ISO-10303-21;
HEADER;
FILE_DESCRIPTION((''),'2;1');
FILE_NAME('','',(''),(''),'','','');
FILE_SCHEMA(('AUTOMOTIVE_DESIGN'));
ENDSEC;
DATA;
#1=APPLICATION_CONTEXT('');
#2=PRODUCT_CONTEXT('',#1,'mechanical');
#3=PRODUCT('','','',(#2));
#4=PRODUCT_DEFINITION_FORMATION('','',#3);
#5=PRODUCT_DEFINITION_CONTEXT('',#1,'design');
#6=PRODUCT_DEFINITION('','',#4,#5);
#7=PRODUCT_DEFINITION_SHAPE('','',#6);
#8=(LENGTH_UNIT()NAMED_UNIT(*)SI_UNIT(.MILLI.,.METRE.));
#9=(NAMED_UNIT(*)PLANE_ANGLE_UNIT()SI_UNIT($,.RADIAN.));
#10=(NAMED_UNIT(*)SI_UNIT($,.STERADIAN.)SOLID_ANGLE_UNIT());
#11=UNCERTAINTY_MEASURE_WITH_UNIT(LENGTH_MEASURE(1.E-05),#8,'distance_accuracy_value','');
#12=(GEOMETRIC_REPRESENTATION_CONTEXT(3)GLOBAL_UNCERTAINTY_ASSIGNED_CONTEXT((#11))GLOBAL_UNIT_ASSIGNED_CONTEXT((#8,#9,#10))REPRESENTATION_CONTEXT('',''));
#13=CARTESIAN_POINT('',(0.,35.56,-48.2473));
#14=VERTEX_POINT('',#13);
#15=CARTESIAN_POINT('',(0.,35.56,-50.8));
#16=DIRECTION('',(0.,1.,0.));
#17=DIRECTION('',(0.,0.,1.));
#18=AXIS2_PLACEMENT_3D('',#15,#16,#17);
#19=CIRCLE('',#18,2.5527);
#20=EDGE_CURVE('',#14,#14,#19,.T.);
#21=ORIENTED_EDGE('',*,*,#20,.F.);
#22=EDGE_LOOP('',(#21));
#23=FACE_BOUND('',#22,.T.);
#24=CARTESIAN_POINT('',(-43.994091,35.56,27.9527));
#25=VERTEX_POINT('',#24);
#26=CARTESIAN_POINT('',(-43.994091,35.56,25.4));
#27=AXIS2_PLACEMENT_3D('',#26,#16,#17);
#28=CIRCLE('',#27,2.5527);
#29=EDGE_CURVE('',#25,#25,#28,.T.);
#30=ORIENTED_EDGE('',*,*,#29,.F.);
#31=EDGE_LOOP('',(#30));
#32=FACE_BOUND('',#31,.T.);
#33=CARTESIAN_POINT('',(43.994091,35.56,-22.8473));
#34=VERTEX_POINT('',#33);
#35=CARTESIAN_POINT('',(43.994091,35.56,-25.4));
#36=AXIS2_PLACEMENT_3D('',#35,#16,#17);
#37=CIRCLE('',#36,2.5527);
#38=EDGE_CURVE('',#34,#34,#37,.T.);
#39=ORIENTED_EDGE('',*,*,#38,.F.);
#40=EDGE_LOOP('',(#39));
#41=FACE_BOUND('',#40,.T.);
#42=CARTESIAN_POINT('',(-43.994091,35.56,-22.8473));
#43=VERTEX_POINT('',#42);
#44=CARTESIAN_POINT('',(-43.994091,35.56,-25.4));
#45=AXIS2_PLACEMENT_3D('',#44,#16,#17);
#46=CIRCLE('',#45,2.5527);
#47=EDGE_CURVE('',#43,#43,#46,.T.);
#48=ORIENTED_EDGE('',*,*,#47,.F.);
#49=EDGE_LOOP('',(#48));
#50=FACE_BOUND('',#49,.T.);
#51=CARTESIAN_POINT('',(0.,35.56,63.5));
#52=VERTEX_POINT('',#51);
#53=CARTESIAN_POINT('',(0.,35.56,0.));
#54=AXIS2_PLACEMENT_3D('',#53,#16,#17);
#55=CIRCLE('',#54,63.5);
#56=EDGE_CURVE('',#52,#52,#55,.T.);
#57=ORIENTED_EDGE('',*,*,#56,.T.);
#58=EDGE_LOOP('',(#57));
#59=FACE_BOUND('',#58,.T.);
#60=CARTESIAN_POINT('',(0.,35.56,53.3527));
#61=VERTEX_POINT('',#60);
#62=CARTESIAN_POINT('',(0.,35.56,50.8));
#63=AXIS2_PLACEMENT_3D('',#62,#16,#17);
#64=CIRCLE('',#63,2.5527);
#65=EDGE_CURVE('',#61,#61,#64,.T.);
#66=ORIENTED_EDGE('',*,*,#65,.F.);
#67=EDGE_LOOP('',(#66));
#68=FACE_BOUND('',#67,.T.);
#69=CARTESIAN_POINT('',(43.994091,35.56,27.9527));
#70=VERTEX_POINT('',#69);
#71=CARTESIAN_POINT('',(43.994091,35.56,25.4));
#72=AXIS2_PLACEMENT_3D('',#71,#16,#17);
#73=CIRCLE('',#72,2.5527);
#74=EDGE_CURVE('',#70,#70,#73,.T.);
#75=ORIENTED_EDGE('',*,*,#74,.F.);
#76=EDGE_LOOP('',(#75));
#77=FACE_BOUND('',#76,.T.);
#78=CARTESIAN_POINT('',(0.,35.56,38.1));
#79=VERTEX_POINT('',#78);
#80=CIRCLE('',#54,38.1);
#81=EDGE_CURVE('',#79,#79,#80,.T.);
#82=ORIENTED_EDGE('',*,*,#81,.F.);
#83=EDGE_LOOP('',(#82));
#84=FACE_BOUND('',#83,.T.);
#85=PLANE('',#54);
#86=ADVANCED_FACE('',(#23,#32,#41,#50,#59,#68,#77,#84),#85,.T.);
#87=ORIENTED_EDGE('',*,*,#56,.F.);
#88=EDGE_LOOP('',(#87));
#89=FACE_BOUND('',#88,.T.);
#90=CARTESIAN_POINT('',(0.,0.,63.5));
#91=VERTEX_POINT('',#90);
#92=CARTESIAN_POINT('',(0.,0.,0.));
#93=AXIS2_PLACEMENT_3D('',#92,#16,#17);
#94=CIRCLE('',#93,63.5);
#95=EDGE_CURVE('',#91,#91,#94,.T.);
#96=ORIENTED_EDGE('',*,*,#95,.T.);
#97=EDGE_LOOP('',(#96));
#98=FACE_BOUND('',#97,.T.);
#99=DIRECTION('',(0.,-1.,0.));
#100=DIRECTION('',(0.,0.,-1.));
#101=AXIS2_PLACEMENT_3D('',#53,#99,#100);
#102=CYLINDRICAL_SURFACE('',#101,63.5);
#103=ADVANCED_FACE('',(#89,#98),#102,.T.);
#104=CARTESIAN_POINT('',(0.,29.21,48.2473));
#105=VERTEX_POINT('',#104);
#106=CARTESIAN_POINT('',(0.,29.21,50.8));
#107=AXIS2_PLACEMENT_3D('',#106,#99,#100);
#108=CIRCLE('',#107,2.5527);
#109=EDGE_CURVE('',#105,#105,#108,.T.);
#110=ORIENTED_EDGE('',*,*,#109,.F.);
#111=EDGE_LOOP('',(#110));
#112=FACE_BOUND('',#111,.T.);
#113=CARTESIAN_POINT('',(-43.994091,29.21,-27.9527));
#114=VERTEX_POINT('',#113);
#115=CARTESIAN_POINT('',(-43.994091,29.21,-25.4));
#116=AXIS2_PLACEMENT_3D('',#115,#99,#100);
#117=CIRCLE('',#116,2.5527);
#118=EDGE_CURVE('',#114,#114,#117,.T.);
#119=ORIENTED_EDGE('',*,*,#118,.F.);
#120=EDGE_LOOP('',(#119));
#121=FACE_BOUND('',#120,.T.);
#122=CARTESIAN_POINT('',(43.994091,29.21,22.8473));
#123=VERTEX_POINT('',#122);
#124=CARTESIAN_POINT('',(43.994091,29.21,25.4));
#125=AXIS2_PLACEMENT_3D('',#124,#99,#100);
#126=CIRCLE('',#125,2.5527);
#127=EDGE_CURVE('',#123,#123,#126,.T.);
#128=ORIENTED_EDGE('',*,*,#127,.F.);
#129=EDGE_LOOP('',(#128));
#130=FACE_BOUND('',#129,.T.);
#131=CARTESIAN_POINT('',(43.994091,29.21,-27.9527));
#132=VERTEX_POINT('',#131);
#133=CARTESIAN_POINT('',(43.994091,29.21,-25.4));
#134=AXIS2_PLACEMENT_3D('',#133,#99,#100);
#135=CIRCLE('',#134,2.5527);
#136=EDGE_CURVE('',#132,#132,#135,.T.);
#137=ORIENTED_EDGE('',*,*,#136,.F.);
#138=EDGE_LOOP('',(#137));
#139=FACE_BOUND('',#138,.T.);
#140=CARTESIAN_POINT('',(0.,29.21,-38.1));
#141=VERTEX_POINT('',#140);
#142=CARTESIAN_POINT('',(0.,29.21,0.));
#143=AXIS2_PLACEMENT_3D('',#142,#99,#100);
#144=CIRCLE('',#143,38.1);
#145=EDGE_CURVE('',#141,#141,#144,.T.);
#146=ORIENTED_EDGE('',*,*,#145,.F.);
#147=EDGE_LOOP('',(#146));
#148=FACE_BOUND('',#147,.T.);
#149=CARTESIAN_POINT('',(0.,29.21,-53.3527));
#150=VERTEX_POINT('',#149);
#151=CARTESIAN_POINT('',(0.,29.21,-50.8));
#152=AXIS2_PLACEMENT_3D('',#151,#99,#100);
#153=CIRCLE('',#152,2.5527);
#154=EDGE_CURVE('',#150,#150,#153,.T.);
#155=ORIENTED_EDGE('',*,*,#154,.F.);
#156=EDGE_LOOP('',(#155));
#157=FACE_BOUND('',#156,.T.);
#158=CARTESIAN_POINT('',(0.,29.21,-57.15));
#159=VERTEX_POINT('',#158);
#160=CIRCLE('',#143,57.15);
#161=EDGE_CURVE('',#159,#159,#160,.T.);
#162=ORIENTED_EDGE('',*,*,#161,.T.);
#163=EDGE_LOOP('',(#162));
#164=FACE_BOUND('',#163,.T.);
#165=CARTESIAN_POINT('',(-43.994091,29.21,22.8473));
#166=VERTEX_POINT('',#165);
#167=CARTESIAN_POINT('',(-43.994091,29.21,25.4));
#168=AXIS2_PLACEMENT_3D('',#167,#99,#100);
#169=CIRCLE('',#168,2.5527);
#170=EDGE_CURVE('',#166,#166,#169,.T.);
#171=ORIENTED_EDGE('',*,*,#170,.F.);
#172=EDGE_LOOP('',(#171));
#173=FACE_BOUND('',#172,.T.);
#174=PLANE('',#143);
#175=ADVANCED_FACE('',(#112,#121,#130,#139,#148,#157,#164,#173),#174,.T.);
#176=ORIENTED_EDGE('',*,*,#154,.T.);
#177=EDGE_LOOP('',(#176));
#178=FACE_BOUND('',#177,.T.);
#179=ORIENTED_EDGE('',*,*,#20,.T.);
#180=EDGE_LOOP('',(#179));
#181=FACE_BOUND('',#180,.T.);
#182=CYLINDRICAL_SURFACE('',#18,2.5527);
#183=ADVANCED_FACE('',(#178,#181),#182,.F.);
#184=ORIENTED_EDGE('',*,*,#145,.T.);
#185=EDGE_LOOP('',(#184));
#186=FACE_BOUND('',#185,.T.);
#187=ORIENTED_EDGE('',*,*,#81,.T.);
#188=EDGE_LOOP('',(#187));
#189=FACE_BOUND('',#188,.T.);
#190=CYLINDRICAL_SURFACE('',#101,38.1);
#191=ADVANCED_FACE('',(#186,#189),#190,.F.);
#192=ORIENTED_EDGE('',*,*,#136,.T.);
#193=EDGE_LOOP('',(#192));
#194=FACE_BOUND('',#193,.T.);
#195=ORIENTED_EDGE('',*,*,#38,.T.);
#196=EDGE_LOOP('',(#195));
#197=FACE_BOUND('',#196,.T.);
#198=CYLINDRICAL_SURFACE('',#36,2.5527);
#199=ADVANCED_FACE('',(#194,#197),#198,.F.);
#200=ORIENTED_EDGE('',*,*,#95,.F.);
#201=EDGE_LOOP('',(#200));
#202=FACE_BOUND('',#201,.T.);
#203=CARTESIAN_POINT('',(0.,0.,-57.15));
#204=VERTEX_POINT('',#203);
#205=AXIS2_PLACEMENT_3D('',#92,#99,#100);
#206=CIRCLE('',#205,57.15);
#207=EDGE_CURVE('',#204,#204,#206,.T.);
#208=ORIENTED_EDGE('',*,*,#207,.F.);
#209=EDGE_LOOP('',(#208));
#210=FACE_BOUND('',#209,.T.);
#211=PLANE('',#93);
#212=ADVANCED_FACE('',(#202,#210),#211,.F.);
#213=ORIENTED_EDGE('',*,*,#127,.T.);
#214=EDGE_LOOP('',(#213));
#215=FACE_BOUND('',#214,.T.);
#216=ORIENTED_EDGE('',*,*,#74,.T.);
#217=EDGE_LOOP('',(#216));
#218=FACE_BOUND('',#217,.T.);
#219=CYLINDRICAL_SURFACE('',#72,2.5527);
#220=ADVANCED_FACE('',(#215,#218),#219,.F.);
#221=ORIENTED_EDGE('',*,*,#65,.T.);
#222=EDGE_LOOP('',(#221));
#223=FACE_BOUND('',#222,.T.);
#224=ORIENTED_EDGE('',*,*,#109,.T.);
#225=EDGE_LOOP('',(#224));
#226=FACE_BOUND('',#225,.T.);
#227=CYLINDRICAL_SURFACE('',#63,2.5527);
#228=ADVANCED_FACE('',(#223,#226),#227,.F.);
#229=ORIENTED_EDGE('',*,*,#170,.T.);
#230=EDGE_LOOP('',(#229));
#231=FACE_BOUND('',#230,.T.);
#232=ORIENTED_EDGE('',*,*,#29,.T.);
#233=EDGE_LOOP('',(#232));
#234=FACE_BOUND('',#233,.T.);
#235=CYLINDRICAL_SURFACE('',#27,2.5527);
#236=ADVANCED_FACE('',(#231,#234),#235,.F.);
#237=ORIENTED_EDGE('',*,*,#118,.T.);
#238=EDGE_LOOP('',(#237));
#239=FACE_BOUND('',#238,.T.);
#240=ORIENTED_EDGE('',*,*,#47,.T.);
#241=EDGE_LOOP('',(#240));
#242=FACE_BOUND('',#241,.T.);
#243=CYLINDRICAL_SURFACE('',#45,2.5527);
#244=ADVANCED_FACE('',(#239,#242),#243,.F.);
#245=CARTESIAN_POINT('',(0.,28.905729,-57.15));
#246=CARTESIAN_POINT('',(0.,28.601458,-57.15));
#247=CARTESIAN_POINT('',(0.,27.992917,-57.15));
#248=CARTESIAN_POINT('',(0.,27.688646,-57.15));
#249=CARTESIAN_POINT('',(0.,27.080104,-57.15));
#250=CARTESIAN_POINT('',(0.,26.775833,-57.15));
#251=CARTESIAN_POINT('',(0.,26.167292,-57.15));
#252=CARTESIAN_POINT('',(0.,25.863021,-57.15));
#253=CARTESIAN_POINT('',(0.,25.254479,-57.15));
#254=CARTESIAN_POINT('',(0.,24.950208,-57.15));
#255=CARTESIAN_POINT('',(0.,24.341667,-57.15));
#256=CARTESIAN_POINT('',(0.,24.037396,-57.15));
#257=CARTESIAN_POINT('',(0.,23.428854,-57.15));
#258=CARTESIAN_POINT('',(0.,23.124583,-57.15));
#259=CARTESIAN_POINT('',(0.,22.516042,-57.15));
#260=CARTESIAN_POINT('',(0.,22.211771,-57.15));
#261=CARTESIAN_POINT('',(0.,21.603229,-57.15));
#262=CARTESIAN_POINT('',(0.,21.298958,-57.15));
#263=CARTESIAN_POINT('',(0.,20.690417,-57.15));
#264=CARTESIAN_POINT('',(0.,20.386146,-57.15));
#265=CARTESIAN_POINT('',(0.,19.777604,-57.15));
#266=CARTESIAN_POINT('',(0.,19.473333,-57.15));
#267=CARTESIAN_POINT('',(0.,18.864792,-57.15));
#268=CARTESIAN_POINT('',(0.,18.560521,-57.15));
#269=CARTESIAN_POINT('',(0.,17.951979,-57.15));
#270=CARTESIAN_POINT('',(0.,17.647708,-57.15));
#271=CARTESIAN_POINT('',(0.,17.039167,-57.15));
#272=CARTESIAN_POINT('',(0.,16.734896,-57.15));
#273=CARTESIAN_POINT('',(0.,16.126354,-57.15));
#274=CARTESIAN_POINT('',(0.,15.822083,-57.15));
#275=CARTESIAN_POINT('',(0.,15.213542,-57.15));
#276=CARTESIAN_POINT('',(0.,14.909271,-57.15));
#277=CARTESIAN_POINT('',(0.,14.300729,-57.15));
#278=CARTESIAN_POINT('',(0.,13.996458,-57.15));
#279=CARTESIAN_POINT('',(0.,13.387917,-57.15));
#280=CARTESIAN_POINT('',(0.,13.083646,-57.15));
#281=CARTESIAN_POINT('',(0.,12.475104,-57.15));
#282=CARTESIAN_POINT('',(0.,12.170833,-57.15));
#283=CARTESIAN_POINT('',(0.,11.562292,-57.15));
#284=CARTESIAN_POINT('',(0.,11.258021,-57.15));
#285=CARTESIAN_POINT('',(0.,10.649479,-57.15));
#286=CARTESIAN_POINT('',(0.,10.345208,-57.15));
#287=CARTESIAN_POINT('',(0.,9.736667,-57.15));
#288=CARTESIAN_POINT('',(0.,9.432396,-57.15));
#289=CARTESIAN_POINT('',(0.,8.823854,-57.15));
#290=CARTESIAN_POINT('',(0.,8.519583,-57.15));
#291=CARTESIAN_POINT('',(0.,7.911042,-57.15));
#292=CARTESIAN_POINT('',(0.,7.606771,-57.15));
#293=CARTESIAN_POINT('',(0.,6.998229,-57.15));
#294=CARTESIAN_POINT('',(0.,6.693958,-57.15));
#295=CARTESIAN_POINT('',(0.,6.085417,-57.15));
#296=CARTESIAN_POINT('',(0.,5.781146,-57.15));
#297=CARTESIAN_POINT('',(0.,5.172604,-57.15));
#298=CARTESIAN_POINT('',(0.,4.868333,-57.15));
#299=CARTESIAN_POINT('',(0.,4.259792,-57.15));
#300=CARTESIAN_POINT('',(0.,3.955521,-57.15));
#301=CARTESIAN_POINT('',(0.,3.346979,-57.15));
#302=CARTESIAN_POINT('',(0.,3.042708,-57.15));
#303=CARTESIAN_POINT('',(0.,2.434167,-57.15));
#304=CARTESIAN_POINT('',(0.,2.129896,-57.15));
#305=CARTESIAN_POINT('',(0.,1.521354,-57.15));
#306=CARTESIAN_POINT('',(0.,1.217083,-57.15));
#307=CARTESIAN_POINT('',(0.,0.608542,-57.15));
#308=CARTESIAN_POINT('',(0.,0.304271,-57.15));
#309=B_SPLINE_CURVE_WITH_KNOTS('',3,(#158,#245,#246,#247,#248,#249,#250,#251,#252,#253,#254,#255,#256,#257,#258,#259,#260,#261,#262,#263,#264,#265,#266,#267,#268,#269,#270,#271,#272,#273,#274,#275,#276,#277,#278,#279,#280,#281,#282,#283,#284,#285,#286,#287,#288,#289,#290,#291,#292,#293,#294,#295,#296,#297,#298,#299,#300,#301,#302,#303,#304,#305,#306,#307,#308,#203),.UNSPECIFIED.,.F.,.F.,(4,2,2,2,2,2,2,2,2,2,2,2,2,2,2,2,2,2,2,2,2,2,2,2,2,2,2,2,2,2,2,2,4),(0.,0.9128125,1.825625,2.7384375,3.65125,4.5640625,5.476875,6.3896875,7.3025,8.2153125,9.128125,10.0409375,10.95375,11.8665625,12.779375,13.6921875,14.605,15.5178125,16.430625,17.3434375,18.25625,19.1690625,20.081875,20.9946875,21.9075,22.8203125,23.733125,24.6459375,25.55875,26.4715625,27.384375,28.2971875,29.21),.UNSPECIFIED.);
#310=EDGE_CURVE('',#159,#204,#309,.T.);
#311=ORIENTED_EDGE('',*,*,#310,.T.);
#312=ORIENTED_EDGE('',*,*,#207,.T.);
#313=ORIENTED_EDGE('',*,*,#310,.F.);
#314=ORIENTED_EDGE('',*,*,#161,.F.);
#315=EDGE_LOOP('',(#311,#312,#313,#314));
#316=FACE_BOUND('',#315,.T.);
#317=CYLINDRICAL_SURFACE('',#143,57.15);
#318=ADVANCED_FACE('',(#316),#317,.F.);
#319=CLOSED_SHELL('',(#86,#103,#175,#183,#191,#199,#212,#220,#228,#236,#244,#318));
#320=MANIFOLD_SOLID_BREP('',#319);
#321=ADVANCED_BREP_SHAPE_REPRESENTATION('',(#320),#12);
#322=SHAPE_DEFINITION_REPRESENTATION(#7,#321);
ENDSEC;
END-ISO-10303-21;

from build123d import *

# Parameters (mm, degrees)
SKETCH1_R              = 63.5
SKETCH1_R_2            = 38.1
BOSS_EXTRUDE1_DEPTH    = 35.56
SKETCH2_R              = 57.15
CUT_EXTRUDE1_DEPTH     = 29.21
F_10_CLEARANCE_HOLE1_D = 5.1054
CIRPATTERN1_COUNT      = 6


with BuildPart() as part:
    # Sketch1 → Boss-Extrude1 (new body)
    with BuildSketch(Plane(origin=(0, 0, 0), x_dir=(1, 0, 0), z_dir=(0, 1, 0))):
        with Locations(Location((0, 0, 0), (0, 0, 270))):
            Circle(SKETCH1_R)
        with Locations(Location((0, 0, 0), (0, 0, 270))):
            Circle(SKETCH1_R_2, mode=Mode.SUBTRACT)
    extrude(amount=BOSS_EXTRUDE1_DEPTH)

    # Sketch2 → Cut-Extrude1 (cut)
    with BuildSketch(Plane.XZ):
        with Locations(Location((0, 0, 0), (0, 0, 270))):
            Circle(SKETCH2_R)
    extrude(amount=-CUT_EXTRUDE1_DEPTH, mode=Mode.SUBTRACT)

    # #10 Clearance Hole1 (through all)
    with Locations(Plane(origin=(0, 35.56, 0), x_dir=(1, 0, 0), z_dir=(0, 1, 0))):
        with Locations((0, 50.8)):
            f_10_clearance_hole1 = Hole(F_10_CLEARANCE_HOLE1_D / 2)

    # CirPattern1: #10 Clearance Hole1 ×6 about axis
    cirpattern1_axis = Axis((0, 0, 0), (0, 1, 0))
    for i in range(1, CIRPATTERN1_COUNT):
        add(f_10_clearance_hole1.rotate(cirpattern1_axis, i * 360 / CIRPATTERN1_COUNT), mode=Mode.SUBTRACT)


solid = part.part
